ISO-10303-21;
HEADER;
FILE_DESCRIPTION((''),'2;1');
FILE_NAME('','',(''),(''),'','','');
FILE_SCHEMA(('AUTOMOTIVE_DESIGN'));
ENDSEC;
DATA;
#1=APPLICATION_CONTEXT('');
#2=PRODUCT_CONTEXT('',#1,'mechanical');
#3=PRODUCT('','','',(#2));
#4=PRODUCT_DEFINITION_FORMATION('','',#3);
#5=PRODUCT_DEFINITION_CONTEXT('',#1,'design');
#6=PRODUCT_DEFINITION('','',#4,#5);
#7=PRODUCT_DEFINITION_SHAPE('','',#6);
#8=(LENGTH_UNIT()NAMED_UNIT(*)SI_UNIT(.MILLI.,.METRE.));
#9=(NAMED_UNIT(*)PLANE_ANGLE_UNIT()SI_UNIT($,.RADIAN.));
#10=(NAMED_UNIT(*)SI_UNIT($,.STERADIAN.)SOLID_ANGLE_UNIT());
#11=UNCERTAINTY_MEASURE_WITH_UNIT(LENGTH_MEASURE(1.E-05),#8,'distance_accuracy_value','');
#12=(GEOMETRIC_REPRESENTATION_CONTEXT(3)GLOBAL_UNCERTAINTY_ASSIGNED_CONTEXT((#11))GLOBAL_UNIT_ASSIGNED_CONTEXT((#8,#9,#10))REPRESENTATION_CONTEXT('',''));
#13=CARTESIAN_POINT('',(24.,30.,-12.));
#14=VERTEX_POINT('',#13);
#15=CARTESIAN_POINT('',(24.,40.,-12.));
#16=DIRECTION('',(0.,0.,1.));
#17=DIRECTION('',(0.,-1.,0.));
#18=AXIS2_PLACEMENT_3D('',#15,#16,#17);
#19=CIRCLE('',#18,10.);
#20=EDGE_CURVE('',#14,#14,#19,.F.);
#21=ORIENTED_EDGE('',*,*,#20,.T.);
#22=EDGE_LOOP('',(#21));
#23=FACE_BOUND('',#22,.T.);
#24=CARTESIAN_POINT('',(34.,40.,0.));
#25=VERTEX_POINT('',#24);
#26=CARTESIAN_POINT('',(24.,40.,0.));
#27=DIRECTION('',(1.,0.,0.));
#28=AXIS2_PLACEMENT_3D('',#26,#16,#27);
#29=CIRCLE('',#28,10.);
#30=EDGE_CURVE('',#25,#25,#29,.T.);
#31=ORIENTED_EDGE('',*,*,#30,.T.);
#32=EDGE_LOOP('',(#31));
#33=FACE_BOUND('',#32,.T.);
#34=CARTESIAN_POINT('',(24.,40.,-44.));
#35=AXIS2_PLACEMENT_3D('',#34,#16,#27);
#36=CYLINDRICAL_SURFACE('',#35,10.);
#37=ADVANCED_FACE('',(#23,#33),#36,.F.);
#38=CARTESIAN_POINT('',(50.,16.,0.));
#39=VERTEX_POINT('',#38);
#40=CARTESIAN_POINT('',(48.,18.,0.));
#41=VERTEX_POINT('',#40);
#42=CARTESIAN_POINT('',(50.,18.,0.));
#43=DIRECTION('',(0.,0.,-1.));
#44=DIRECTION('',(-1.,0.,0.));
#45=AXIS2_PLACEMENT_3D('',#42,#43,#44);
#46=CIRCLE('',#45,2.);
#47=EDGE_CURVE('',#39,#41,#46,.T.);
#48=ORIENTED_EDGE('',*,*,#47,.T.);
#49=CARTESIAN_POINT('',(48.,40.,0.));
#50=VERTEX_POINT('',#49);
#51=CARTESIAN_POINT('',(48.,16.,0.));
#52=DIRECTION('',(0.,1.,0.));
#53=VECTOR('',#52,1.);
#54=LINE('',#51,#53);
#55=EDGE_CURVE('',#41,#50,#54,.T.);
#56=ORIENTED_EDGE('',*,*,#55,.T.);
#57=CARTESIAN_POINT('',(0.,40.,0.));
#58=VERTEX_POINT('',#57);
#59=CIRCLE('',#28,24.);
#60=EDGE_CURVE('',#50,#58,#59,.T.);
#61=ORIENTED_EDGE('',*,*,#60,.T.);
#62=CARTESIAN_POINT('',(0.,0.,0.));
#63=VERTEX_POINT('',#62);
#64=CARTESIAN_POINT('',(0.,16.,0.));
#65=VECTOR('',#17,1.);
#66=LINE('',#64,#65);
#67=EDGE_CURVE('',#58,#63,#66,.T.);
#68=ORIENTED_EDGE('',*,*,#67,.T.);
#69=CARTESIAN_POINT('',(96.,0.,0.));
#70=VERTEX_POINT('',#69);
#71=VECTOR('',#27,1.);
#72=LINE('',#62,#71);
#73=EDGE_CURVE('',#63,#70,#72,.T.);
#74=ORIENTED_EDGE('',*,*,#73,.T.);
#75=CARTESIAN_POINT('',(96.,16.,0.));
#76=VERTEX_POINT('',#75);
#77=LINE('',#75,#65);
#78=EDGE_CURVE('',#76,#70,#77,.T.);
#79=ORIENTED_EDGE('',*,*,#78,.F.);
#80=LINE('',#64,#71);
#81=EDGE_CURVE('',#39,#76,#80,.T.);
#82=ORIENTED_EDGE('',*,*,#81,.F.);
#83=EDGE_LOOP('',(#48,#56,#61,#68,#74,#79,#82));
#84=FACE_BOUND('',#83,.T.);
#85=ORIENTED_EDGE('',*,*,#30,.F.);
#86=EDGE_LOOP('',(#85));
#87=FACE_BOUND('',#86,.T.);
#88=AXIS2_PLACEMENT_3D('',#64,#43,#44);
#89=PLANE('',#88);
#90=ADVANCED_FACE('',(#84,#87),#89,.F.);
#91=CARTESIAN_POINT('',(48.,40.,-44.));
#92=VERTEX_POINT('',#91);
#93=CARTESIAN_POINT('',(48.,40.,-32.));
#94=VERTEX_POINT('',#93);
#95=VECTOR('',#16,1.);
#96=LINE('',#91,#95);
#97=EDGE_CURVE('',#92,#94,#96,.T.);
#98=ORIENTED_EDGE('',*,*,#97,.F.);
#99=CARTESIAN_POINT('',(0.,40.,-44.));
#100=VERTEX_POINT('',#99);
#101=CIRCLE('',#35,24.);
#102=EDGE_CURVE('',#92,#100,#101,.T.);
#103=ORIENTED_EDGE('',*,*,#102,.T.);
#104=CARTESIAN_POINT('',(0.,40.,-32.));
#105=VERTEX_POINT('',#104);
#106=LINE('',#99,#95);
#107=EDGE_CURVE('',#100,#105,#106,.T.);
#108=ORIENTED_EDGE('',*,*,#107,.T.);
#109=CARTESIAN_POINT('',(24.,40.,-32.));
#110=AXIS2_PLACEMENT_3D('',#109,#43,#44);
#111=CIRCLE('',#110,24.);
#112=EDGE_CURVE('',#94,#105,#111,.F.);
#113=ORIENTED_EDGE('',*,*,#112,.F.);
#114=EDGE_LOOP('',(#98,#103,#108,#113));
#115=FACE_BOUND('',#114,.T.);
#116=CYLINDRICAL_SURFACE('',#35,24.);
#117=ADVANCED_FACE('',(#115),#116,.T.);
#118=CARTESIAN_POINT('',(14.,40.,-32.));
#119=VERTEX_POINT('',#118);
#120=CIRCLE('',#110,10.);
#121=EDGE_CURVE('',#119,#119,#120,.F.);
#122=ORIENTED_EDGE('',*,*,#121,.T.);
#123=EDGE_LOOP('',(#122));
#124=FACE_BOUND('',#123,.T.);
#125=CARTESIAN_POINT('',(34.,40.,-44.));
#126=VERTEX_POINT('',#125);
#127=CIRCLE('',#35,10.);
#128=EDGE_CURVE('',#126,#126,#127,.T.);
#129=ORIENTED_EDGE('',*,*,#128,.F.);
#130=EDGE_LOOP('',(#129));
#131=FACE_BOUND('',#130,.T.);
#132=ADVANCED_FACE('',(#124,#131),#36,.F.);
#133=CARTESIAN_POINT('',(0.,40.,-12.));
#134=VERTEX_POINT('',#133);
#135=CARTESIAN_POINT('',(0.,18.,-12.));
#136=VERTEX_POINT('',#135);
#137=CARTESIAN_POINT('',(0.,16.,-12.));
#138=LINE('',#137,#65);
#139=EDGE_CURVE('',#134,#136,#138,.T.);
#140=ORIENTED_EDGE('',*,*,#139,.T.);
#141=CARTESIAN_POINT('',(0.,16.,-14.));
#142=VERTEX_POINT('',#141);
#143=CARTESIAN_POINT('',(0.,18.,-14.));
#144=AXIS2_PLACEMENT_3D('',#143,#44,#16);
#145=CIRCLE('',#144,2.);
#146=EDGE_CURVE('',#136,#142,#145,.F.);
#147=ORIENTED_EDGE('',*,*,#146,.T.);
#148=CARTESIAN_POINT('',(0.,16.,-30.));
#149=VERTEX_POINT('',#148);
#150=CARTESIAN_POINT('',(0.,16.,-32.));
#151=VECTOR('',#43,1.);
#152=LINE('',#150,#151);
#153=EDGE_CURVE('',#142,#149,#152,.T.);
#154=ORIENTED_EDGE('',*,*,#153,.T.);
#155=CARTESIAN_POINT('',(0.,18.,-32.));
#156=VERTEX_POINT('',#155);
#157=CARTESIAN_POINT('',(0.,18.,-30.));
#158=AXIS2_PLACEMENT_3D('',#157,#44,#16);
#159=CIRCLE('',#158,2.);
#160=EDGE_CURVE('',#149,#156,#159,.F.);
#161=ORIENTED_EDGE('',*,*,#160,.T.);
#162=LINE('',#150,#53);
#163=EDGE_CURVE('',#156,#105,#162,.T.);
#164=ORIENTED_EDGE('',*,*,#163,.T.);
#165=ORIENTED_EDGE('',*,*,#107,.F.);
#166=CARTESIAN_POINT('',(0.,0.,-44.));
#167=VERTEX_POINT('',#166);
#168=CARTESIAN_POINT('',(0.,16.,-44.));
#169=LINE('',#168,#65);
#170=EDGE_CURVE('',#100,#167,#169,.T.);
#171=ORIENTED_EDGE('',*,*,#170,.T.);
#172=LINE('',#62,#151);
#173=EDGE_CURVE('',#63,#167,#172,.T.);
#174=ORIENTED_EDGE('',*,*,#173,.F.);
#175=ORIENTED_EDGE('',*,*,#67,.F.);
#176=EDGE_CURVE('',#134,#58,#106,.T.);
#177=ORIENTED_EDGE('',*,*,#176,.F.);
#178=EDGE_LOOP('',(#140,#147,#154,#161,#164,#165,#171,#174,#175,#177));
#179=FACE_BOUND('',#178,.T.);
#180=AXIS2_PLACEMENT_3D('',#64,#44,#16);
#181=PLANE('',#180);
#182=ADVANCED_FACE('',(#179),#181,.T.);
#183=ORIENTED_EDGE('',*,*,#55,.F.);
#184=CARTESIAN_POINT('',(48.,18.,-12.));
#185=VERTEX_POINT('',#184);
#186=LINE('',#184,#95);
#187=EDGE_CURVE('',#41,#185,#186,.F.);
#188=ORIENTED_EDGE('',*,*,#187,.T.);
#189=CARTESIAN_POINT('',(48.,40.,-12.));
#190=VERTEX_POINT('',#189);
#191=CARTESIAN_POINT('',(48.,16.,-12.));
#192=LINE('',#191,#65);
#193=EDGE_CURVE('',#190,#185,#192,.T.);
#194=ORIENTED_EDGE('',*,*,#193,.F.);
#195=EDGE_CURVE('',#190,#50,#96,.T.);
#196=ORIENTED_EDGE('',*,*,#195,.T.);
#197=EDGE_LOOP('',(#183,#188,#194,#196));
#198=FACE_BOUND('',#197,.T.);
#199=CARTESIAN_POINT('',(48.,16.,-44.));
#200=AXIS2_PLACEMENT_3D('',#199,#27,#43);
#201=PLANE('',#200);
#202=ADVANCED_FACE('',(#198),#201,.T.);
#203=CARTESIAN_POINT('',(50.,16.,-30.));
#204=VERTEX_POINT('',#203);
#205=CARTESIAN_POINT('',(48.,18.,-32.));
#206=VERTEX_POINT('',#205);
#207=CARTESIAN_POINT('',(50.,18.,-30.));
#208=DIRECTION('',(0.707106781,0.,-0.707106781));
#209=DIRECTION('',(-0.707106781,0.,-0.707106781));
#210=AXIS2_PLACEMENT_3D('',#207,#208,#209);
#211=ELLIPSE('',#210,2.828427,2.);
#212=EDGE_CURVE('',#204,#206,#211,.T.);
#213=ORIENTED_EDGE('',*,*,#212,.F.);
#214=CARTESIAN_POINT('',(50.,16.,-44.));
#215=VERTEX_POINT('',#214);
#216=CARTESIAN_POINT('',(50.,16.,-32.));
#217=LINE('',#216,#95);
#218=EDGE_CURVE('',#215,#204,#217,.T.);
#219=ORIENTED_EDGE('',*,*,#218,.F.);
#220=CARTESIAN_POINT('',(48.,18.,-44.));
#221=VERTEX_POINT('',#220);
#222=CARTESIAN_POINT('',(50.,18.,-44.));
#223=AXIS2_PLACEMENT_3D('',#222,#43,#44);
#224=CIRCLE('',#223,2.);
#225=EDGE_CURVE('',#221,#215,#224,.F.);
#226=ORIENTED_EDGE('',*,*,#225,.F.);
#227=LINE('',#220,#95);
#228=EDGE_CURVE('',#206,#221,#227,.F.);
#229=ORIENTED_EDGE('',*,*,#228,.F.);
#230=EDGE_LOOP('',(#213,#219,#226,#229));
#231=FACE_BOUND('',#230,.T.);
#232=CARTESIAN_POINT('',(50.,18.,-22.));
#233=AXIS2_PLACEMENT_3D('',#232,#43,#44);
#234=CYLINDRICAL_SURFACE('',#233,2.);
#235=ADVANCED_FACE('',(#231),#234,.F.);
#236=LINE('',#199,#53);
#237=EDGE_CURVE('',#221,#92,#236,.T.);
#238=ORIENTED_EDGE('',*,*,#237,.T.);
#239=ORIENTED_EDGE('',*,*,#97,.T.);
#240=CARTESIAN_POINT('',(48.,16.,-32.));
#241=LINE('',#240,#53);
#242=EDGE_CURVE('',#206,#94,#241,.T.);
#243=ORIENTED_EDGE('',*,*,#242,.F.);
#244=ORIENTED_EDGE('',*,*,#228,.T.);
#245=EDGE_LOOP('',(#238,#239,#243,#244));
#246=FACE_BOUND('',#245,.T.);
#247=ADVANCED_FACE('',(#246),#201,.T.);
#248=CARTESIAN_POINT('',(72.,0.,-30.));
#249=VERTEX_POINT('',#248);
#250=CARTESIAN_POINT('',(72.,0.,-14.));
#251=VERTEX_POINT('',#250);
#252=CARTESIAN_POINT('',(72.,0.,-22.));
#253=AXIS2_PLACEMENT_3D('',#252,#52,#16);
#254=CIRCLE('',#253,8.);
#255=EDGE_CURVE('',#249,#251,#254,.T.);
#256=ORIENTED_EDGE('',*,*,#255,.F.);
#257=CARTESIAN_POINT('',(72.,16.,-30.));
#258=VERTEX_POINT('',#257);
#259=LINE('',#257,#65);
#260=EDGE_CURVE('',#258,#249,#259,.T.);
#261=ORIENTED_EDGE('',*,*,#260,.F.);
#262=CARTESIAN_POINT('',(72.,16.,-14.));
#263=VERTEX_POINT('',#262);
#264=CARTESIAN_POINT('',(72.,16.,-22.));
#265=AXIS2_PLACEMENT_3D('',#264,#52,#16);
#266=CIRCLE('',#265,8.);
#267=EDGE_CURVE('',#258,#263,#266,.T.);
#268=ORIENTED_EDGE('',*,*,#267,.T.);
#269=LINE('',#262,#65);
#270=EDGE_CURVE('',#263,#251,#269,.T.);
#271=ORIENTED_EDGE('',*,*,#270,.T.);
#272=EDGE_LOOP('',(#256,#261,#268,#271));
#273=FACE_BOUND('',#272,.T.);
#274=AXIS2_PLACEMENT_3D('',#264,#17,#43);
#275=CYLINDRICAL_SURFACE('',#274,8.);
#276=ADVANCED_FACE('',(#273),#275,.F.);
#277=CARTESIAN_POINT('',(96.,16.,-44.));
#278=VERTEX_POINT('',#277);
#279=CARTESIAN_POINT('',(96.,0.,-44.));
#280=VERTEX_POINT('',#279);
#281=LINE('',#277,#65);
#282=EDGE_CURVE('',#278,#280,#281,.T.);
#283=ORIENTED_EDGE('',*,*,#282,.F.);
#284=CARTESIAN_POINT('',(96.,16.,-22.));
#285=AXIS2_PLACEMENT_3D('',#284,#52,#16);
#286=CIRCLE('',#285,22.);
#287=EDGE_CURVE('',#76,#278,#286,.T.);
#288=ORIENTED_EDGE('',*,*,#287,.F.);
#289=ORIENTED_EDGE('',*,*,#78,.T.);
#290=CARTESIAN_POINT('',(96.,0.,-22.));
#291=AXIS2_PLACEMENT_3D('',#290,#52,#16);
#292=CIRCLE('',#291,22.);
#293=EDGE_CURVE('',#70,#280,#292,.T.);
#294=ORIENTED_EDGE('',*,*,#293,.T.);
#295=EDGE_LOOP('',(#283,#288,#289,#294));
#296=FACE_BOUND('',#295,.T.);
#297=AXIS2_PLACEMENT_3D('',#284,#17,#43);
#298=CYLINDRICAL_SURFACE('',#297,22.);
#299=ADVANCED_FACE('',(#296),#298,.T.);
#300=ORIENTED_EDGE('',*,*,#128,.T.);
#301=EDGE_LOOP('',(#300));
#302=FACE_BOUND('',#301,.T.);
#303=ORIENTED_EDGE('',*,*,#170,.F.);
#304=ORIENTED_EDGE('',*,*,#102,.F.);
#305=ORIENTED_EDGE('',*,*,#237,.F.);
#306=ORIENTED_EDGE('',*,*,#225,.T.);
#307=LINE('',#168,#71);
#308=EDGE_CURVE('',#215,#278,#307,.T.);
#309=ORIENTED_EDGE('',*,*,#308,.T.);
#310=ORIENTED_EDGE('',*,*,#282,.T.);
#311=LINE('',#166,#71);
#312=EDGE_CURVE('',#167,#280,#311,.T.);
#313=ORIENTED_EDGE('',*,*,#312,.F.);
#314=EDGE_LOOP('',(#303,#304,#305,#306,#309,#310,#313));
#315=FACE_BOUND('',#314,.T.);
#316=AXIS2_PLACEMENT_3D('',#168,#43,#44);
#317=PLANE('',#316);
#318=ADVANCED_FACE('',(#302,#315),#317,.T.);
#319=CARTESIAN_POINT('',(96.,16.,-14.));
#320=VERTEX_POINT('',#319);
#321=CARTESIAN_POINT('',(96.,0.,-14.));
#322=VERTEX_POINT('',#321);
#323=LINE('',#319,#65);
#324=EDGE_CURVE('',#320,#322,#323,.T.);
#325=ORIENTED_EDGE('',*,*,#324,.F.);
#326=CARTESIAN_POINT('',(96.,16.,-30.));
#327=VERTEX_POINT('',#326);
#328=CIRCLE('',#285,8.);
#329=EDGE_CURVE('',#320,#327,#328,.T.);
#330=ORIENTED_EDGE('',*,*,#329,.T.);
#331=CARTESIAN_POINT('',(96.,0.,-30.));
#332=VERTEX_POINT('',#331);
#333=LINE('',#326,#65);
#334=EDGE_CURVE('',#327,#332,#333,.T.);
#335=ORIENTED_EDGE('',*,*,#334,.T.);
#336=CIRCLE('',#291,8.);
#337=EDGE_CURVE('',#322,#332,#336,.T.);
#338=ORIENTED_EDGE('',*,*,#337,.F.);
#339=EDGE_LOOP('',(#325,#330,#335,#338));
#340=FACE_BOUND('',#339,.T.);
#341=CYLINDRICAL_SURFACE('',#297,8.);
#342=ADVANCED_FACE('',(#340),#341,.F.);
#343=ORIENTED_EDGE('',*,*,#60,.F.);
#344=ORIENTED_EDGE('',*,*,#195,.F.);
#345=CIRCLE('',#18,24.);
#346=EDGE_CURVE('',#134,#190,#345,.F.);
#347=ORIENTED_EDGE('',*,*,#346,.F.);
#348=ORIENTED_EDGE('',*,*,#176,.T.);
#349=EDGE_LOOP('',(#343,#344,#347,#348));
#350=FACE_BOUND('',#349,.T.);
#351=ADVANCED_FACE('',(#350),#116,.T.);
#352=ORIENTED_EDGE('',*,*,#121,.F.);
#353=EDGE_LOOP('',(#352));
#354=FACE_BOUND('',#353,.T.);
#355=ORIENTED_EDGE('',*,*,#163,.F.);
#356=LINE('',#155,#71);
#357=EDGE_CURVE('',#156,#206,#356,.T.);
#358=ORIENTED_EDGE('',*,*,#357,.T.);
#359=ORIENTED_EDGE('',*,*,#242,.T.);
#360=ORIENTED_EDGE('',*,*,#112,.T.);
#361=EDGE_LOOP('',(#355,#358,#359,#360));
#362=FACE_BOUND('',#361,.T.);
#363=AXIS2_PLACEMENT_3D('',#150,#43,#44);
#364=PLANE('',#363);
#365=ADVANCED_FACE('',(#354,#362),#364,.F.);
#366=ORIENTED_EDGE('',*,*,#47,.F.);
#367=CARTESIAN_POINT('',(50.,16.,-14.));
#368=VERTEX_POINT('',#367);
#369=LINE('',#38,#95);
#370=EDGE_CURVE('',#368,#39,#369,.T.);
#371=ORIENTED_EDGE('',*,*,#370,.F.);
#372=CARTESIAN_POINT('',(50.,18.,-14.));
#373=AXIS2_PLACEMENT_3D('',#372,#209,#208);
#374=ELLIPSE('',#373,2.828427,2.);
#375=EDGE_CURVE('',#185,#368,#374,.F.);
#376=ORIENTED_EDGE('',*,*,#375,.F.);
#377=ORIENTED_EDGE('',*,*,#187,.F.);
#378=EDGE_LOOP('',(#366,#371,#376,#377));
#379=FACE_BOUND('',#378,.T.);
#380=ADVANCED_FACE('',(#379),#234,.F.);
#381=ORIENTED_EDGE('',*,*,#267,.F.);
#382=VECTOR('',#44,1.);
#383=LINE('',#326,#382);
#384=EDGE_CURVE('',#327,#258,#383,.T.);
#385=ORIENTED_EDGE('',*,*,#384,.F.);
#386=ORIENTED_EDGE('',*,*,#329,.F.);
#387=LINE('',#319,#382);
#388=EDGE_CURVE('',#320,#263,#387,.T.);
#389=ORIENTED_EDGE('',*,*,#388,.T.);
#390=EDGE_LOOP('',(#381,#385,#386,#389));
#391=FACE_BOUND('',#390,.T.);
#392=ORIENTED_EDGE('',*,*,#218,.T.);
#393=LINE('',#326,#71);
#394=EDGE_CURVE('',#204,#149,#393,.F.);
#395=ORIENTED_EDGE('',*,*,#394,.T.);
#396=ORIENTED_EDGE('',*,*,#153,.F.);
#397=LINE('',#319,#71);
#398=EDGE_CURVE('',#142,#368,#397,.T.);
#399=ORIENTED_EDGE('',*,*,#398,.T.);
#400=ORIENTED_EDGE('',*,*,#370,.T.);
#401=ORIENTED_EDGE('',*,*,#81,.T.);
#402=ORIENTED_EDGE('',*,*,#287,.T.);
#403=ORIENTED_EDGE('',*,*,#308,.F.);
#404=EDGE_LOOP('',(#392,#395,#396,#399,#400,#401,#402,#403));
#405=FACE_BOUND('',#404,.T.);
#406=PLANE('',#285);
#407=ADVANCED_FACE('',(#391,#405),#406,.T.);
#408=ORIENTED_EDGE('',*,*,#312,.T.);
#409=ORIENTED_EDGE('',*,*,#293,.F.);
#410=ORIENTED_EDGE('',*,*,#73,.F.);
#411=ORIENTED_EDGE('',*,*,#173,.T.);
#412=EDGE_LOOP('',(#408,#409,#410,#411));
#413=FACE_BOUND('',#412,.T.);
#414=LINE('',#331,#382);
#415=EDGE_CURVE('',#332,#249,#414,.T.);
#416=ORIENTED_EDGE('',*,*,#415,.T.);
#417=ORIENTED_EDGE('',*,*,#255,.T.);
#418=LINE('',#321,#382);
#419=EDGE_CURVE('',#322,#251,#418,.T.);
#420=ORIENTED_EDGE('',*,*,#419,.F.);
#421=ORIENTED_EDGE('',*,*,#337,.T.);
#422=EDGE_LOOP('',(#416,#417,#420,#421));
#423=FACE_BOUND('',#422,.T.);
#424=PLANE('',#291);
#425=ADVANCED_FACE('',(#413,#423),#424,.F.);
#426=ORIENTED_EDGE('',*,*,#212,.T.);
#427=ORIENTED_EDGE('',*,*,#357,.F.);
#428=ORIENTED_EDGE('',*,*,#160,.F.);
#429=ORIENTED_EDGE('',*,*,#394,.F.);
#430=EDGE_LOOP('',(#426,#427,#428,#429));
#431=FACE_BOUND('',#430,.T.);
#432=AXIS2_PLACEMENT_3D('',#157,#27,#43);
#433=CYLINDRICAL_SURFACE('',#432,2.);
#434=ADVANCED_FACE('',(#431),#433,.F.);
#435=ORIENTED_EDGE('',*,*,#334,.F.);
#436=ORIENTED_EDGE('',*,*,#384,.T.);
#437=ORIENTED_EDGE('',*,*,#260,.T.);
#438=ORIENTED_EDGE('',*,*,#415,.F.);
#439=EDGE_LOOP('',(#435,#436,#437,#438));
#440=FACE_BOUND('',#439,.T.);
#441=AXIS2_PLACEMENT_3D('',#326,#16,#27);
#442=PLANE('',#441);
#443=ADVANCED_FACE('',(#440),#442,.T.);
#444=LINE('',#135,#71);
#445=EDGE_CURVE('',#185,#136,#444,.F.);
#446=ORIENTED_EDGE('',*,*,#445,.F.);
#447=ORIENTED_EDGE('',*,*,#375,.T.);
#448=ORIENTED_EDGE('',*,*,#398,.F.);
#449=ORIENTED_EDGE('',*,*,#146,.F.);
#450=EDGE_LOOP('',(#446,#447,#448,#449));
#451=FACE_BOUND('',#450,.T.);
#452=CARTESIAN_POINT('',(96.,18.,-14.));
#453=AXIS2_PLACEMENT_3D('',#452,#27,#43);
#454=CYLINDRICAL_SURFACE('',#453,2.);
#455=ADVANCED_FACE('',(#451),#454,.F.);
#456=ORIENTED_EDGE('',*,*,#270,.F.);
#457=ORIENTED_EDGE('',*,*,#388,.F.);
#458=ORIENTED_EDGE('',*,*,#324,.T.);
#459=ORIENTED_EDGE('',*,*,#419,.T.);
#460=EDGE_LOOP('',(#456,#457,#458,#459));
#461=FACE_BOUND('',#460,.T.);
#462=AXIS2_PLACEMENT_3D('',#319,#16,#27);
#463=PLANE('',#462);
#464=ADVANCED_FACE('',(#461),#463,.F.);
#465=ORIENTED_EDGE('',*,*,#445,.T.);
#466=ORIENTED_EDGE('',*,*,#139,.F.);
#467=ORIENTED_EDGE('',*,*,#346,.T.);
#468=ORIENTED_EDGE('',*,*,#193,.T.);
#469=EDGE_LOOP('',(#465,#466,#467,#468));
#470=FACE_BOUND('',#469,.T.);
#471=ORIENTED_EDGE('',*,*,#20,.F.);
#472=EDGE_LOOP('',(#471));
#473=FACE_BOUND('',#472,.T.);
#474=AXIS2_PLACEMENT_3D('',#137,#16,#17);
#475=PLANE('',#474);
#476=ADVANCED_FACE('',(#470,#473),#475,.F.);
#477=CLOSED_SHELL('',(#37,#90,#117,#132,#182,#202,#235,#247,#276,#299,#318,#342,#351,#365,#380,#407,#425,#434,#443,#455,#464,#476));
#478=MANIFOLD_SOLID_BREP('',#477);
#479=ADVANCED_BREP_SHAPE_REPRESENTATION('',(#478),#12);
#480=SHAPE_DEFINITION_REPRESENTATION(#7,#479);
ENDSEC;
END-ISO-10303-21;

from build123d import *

# Parameters (mm, degrees)
BOSS_EXTRUDE2_DEPTH = 16
SKETCH2_R           = 10
BOSS_EXTRUDE3_DEPTH = 44
SKETCH4_W           = 20
SKETCH4_H           = 48
CUT_EXTRUDE1_DEPTH  = 49
FILLET1_R           = 2


with BuildPart() as part:
    # Sketch1 → Boss-Extrude2 (new body)
    with BuildSketch(Plane(origin=(0, 0, 0), x_dir=(1, 0, 0), z_dir=(0, 1, 0))):
        with BuildLine():
            Line((0, 0), (96, 0))
            ThreePointArc((96, 0), (118, 22), (96, 44))
            Line((96, 44), (0, 44))
            Line((0, 44), (0, 0))
        make_face()
        with BuildLine():
            Line((96, 14), (72, 14))
            ThreePointArc((72, 14), (64, 22), (72, 30))
            Line((72, 30), (96, 30))
            ThreePointArc((96, 30), (104, 22), (96, 14))
        make_face(mode=Mode.SUBTRACT)
    extrude(amount=BOSS_EXTRUDE2_DEPTH)

    # Sketch2 → Boss-Extrude3 (add)
    with BuildSketch(Plane.XY):
        with BuildLine():
            Line((0, 16), (48, 16))
            Line((48, 16), (48, 40))
            ThreePointArc((48, 40), (24, 64), (0, 40))
            Line((0, 40), (0, 16))
        make_face()
        with Locations((24, 40)):
            Circle(SKETCH2_R, mode=Mode.SUBTRACT)
    extrude(amount=-BOSS_EXTRUDE3_DEPTH)

    # Sketch4 → Cut-Extrude1 (cut, through all)
    with BuildSketch(Plane(origin=(48, 0, 0), x_dir=(0, 0, -1), z_dir=(1, 0, 0))):
        with Locations((22, 40)):
            Rectangle(SKETCH4_W, SKETCH4_H)
    extrude(amount=-CUT_EXTRUDE1_DEPTH, mode=Mode.SUBTRACT)

    # Fillet1
    fillet1_edges = [part.edges().sort_by_distance(p)[0] for p in [
        (48, 16, -38),
        (48, 16, -6),
        (24, 16, -12),
        (24, 16, -32),
    ]]
    fillet(fillet1_edges, radius=FILLET1_R)


solid = part.part
